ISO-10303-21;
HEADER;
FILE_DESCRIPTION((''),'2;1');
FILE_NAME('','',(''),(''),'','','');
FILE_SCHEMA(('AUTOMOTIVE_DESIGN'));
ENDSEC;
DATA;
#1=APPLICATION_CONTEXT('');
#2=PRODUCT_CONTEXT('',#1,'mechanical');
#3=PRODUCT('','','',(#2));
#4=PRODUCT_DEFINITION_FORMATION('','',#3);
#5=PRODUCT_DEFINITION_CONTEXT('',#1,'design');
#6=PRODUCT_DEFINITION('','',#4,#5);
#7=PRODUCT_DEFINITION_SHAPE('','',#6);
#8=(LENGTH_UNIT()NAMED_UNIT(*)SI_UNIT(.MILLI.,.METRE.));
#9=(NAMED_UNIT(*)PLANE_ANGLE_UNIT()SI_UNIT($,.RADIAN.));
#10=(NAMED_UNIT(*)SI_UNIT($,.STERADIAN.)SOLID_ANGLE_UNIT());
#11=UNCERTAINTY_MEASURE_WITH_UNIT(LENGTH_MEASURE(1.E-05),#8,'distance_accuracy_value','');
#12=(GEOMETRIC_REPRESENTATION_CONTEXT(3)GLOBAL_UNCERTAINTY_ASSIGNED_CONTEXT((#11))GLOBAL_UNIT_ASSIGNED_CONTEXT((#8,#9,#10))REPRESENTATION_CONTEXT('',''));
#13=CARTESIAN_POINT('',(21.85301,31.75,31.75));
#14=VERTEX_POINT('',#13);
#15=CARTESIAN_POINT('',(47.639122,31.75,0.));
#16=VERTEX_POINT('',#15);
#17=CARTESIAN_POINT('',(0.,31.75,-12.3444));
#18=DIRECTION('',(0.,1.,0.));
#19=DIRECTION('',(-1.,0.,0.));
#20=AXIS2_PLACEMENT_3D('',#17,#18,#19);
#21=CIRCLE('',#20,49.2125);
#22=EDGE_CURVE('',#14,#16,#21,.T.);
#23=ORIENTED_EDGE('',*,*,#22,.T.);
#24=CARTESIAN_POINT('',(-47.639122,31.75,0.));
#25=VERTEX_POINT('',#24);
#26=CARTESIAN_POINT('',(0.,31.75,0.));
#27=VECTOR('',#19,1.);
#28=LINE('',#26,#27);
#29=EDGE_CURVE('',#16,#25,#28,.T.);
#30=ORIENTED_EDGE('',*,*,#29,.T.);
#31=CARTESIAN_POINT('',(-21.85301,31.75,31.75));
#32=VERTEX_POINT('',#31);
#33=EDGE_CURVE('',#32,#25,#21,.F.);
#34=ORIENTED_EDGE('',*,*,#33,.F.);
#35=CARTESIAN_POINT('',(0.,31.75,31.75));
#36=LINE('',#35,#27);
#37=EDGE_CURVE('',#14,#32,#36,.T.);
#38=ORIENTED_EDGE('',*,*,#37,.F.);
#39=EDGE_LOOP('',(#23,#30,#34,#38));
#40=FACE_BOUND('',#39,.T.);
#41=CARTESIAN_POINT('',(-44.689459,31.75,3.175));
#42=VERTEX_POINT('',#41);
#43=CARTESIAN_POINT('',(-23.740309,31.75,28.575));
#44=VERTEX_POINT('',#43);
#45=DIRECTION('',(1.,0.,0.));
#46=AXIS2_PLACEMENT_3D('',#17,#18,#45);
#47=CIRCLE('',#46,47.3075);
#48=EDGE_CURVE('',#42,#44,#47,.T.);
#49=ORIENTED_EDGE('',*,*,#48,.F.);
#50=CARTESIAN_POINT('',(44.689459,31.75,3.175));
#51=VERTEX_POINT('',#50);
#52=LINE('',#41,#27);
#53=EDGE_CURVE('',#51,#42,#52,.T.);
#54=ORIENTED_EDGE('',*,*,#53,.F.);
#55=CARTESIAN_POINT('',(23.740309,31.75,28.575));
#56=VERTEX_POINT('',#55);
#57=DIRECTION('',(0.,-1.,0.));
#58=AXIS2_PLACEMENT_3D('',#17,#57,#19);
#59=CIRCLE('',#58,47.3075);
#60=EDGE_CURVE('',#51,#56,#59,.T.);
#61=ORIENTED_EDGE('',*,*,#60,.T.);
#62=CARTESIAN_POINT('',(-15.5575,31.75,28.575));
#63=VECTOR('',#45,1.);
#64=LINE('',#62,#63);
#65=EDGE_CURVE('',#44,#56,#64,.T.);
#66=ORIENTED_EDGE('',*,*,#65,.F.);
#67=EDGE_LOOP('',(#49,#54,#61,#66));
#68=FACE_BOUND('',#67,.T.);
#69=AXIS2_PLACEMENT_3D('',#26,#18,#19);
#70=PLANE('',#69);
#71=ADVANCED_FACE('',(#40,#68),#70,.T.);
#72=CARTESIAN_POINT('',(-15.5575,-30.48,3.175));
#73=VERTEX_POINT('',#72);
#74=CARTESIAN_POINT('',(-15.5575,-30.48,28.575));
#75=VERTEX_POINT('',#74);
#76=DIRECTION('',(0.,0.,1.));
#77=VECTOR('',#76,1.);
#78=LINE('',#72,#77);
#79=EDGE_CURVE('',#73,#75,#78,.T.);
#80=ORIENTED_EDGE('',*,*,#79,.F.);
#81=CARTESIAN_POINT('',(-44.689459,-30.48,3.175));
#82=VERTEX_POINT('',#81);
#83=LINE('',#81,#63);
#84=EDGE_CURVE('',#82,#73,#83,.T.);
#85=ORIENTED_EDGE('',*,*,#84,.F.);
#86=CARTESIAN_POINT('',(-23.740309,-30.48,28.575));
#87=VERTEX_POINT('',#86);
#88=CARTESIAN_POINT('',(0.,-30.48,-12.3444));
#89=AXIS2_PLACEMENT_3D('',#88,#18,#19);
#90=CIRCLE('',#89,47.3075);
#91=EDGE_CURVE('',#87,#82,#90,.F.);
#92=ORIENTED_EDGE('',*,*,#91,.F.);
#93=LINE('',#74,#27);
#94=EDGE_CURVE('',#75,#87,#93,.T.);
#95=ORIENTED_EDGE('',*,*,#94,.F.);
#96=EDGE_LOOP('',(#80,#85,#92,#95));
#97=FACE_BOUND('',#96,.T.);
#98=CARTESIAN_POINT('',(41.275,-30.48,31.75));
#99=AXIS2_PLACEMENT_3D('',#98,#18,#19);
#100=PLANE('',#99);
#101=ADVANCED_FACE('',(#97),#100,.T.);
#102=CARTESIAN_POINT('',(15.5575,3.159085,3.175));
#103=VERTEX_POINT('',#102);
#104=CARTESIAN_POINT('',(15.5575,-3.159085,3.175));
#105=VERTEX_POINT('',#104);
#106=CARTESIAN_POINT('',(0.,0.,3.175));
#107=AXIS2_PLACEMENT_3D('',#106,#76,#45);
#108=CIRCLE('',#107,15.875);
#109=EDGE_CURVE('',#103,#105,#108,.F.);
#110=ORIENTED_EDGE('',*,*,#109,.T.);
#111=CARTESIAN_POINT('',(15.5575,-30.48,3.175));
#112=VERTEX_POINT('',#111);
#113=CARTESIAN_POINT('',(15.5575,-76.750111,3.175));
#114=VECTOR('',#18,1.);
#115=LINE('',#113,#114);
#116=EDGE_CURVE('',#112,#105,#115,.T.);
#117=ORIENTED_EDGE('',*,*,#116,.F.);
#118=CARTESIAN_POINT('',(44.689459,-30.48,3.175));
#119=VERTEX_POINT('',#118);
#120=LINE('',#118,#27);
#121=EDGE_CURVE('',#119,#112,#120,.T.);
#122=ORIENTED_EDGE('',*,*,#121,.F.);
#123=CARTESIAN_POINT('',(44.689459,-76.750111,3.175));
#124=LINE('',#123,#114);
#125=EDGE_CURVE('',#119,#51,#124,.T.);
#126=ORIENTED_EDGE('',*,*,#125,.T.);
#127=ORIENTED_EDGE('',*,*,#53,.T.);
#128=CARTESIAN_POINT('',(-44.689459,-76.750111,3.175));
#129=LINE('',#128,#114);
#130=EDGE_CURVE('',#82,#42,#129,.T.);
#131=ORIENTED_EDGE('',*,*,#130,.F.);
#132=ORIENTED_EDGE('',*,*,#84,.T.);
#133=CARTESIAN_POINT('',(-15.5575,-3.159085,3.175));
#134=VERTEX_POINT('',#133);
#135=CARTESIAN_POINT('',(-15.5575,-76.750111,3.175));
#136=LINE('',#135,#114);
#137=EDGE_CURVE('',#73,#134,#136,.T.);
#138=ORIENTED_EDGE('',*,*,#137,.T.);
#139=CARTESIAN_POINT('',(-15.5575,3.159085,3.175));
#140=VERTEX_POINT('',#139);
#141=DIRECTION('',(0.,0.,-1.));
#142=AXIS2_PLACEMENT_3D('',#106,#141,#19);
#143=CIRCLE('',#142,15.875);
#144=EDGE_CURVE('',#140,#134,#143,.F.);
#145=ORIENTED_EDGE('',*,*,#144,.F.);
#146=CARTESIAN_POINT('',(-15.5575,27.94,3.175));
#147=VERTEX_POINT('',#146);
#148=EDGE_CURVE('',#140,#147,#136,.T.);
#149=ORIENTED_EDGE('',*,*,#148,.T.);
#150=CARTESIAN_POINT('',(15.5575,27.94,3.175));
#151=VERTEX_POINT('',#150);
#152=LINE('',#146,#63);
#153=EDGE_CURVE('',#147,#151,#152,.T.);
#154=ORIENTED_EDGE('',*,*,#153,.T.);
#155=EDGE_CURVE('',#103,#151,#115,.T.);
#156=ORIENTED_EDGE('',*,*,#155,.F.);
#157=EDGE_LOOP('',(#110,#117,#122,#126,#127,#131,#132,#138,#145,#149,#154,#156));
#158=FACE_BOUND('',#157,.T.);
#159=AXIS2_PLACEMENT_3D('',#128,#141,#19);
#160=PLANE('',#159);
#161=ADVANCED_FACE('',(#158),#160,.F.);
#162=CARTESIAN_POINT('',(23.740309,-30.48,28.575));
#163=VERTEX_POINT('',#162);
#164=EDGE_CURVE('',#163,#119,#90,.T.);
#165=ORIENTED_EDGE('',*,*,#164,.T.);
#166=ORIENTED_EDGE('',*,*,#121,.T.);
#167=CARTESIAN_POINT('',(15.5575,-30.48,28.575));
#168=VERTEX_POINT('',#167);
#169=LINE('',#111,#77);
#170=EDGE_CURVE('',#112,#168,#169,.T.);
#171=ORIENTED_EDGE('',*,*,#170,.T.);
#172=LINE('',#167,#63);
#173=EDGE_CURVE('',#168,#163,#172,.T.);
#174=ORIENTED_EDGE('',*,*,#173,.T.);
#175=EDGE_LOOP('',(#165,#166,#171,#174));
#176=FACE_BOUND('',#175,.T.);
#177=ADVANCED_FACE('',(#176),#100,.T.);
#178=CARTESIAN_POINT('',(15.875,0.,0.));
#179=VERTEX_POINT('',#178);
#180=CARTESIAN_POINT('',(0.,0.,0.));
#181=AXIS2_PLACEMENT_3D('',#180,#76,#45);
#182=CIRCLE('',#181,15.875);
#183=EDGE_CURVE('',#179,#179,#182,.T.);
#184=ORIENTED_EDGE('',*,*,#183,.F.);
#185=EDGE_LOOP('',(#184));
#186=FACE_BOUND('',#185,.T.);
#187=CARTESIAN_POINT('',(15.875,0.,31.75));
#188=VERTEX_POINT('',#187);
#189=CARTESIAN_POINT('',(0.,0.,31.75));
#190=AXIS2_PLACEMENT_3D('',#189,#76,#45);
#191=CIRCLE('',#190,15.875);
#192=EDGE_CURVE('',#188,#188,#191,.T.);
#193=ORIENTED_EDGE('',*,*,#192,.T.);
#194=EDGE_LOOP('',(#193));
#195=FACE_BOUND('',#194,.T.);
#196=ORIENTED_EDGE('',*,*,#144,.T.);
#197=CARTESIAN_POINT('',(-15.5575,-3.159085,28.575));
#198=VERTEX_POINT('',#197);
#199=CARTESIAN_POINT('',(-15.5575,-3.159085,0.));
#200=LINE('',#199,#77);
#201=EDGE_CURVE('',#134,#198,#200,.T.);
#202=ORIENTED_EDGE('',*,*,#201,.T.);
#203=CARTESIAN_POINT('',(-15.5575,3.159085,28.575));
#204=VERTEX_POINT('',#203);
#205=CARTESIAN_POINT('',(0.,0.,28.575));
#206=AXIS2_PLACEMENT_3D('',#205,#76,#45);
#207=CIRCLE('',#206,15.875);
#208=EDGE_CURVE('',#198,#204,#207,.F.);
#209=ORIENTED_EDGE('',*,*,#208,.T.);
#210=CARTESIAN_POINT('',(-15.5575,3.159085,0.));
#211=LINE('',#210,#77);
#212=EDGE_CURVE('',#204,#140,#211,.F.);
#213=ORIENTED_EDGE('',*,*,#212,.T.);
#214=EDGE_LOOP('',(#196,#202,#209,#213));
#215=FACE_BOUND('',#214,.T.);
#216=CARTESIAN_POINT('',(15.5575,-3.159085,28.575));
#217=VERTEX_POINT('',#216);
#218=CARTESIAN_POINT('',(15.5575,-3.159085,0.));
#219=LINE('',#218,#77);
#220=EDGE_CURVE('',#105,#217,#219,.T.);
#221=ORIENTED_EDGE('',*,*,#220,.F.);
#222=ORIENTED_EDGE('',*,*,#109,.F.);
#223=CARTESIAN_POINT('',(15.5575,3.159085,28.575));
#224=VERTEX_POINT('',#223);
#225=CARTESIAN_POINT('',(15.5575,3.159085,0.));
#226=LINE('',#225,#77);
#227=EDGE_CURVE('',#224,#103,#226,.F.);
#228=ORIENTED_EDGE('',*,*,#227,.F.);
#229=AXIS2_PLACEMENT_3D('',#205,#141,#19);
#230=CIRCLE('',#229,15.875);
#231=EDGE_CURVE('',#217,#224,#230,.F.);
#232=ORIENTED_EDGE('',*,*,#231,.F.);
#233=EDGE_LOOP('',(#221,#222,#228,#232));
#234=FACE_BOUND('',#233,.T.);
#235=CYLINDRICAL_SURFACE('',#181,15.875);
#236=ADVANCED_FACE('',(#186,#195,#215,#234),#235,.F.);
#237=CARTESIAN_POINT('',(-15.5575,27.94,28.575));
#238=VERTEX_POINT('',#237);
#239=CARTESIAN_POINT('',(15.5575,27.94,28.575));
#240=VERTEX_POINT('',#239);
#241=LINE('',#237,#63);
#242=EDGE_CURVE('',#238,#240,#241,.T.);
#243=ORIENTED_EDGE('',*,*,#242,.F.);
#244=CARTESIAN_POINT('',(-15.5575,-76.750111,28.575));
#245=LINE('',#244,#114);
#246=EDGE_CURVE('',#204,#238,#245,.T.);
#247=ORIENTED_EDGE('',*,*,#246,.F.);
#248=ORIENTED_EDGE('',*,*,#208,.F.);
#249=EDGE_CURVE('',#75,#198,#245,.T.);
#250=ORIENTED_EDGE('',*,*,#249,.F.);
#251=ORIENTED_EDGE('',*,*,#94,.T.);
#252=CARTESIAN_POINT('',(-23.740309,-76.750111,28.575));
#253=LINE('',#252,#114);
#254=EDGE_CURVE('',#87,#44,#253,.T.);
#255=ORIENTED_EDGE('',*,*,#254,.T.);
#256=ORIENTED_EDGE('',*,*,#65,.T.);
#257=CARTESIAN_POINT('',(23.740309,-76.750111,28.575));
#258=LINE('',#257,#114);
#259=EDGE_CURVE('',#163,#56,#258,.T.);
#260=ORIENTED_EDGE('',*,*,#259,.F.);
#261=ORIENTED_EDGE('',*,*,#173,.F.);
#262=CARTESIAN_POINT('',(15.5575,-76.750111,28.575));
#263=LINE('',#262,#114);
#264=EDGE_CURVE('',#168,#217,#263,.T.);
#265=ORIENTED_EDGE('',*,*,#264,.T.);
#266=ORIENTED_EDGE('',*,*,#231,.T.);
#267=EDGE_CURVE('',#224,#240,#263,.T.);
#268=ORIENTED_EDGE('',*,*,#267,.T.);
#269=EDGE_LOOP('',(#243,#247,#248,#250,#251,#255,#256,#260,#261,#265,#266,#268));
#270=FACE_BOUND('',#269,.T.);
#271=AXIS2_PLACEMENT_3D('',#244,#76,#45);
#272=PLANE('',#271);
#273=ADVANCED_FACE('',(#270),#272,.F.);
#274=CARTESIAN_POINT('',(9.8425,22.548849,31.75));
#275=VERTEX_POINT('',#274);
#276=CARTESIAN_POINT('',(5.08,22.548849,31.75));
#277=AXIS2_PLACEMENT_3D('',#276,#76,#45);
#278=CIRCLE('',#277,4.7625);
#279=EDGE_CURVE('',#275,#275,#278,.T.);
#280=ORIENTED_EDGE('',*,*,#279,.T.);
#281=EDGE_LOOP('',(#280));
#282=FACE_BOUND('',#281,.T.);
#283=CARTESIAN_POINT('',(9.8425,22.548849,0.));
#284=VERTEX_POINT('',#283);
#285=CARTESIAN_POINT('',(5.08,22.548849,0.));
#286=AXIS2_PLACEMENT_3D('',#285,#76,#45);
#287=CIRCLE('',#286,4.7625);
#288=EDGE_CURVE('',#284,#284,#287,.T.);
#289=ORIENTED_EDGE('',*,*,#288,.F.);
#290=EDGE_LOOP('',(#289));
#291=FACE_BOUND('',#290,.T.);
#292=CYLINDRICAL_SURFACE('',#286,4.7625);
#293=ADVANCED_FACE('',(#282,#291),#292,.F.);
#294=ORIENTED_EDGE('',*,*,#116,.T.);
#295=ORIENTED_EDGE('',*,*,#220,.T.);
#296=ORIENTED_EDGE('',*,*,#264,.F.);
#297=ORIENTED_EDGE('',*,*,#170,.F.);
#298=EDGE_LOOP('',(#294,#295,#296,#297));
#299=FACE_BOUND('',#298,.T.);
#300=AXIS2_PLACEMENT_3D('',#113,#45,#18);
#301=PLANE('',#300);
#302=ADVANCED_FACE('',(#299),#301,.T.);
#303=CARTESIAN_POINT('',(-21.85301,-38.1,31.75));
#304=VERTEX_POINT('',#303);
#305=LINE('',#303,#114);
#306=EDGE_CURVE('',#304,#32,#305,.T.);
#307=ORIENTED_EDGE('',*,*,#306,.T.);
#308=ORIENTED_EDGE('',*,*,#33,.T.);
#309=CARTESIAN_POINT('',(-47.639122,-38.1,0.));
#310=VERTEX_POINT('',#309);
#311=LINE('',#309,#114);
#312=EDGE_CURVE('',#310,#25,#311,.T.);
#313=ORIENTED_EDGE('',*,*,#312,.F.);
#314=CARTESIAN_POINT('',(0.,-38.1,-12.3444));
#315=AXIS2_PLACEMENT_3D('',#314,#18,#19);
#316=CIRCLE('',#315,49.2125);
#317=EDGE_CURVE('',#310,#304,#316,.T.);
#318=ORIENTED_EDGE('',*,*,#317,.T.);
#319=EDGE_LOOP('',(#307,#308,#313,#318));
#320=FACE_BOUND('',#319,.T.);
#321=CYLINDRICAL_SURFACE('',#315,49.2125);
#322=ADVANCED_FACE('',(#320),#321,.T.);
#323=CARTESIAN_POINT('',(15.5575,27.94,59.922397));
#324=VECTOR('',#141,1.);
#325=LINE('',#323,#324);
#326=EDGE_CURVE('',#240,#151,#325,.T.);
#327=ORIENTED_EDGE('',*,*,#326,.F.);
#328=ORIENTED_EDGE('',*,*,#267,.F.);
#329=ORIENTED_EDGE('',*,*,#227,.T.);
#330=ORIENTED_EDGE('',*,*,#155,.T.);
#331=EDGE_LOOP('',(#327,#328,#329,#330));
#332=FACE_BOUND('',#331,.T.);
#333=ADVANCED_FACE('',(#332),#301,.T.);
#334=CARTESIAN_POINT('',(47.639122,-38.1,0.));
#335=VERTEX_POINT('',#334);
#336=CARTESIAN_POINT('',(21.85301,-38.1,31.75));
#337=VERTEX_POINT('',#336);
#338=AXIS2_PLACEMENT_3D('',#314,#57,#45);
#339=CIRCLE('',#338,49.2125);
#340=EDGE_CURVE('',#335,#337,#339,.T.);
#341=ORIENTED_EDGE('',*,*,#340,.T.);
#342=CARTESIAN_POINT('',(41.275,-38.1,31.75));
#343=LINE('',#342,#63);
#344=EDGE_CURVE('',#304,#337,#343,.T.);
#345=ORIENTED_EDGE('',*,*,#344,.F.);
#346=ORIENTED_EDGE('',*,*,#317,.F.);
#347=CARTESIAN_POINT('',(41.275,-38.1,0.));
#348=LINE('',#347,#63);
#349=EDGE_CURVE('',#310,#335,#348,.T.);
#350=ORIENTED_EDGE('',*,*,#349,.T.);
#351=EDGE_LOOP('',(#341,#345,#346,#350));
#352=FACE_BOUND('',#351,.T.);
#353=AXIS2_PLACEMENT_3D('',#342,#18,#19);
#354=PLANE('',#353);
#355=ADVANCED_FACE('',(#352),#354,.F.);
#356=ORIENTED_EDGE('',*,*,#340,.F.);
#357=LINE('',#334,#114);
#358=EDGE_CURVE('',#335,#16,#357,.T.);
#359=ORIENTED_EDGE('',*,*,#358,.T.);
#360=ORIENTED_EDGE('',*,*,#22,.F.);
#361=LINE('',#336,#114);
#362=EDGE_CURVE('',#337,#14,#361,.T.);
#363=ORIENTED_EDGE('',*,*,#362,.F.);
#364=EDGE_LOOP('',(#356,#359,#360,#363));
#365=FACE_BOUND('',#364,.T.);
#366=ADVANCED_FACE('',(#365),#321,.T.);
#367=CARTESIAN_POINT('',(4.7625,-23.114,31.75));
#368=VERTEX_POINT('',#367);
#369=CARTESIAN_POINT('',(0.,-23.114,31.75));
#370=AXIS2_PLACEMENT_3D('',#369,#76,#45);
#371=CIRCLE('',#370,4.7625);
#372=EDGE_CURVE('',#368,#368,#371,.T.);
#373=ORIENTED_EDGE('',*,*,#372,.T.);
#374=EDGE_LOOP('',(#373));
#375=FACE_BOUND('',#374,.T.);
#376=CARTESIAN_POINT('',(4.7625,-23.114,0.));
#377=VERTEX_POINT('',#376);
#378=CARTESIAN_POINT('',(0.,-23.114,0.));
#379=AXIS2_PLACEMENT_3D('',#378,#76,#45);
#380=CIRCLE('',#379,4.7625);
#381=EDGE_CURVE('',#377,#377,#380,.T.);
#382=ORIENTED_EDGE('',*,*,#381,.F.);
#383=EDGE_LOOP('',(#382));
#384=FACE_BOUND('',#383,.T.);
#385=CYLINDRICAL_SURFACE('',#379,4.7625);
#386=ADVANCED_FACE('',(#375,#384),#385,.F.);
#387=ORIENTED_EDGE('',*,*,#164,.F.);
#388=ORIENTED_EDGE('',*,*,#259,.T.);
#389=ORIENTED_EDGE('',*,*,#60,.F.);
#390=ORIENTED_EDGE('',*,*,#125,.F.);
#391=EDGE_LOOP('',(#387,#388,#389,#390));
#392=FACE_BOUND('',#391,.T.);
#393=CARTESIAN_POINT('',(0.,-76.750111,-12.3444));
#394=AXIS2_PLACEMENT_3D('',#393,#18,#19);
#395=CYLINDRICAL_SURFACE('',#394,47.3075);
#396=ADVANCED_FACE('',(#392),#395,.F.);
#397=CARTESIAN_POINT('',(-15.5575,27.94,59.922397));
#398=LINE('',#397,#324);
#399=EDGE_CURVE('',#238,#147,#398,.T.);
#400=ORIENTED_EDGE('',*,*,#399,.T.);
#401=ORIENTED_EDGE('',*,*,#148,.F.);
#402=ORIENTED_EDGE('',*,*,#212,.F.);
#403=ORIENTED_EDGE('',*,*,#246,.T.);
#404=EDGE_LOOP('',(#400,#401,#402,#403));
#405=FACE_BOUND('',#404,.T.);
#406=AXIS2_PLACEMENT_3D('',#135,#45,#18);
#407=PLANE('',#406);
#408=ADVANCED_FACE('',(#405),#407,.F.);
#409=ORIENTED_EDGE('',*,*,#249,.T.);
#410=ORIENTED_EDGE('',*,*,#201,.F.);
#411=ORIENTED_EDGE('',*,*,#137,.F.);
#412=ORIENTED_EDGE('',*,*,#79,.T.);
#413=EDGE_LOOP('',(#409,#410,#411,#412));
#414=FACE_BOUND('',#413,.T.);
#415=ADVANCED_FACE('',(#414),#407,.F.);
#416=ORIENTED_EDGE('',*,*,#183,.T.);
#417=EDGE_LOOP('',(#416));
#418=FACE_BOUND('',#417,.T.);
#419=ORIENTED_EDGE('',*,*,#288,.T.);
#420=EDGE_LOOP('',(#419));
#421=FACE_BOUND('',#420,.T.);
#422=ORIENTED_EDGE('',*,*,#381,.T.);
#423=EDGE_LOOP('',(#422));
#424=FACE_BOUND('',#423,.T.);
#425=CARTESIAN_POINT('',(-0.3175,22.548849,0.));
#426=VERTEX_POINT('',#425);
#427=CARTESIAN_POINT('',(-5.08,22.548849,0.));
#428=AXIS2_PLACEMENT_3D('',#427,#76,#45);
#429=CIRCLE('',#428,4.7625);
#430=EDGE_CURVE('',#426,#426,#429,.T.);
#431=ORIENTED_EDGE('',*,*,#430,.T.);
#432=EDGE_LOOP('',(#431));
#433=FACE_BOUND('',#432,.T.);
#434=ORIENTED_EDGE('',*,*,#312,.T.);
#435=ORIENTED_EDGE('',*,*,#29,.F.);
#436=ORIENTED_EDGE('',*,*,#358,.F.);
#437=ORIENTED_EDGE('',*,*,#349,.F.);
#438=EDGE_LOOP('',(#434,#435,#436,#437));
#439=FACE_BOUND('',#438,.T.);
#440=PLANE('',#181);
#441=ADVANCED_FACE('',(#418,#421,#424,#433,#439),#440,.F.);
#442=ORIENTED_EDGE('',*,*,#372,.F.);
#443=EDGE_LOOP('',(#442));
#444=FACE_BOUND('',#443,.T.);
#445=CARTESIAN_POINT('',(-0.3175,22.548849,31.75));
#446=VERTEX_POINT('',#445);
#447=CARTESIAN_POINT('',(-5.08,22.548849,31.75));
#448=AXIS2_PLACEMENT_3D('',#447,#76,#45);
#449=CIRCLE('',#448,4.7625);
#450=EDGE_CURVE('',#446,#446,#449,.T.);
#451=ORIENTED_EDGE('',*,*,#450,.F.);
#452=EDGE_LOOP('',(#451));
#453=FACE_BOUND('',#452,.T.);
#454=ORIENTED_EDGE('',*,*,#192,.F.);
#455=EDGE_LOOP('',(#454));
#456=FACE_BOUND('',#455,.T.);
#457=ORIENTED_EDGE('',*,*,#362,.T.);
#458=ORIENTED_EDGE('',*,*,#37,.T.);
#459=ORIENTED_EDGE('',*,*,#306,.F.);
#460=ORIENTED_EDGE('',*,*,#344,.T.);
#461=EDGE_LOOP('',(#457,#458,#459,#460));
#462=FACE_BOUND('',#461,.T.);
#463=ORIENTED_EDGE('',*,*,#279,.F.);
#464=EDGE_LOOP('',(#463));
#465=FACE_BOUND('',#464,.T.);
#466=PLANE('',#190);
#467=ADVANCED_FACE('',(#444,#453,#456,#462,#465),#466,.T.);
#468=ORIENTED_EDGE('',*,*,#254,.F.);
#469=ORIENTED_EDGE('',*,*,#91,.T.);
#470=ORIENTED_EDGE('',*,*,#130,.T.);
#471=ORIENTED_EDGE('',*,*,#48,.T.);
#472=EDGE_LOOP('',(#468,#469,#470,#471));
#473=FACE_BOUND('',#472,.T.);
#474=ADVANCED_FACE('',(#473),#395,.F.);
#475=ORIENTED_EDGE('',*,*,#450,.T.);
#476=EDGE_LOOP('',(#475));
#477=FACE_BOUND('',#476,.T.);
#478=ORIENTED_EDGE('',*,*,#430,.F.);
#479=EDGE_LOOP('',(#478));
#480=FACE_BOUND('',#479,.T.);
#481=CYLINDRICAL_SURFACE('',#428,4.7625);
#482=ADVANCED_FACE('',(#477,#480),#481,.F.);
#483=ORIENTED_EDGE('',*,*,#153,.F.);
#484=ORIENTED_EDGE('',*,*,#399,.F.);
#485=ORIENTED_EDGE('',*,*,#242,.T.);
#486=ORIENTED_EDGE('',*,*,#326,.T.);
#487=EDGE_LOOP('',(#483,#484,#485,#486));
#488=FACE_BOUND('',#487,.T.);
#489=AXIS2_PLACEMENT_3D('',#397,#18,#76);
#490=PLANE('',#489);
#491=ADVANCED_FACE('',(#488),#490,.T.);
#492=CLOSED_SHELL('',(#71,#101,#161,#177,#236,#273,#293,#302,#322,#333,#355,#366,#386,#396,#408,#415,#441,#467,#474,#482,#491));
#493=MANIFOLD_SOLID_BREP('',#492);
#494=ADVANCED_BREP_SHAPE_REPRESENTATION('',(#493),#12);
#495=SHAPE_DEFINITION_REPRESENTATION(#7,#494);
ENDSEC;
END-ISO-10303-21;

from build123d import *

# Parameters (mm, degrees)
SKETCH1_W           = 82.55
SKETCH1_H           = 76.2
BOSS_EXTRUDE1_DEPTH = 31.75
SKETCH2_R           = 4.7625
CUT_EXTRUDE1_DEPTH  = 32.75
SKETCH4_R           = 15.875
CUT_EXTRUDE3_DEPTH  = 32.75
BOSS_EXTRUDE3_DEPTH = 76.2
CUT_EXTRUDE5_DEPTH  = 77.2
CUT_EXTRUDE6_DEPTH  = 62.23
SKETCH9_W           = 31.115
SKETCH9_H           = 3.81
CUT_EXTRUDE7_DEPTH  = 25.4


with BuildPart() as part:
    # Sketch1 → Boss-Extrude1 (new body)
    with BuildSketch(Plane.XY):
        Rectangle(SKETCH1_W, SKETCH1_H)
    extrude(amount=BOSS_EXTRUDE1_DEPTH)

    # Sketch2 → Cut-Extrude1 (cut, through all)
    with BuildSketch(Plane.XY.offset(31.75)):
        with Locations((0, -23.114)):
            Circle(SKETCH2_R)
        with Locations((-5.08, 22.548849106)):
            Circle(SKETCH2_R)
        with Locations((5.08, 22.548849106)):
            Circle(SKETCH2_R)
    extrude(amount=-CUT_EXTRUDE1_DEPTH, mode=Mode.SUBTRACT)

    # Sketch4 → Cut-Extrude3 (cut, through all)
    with BuildSketch(Plane.XY.offset(31.75)):
        Circle(SKETCH4_R)
    extrude(amount=-CUT_EXTRUDE3_DEPTH, mode=Mode.SUBTRACT)

    # Sketch7 → Boss-Extrude3 (add, through all)
    with BuildSketch(Plane(origin=(0, 38.1, 0), x_dir=(1, 0, 0), z_dir=(0, 1, 0))):
        with BuildLine():
            Line((-47.639122, 0), (-41.275, 0))
            Line((-41.275, 0), (-41.275, -14.455684538))
            ThreePointArc((-41.275, -14.455684538), (-45.040781261, -7.484825392), (-47.639122, 0))
        make_face()
    boss_extrude3 = extrude(amount=-BOSS_EXTRUDE3_DEPTH)

    # Sketch6 → Cut-Extrude5 (cut, through all)
    with BuildSketch(Plane(origin=(0, 38.1, 0), x_dir=(1, 0, 0), z_dir=(0, 1, 0))):
        with BuildLine():
            Line((-41.275, -14.455684538), (-41.275, -31.75))
            Line((-41.275, -31.75), (-21.853009973, -31.75))
            ThreePointArc((-21.853009973, -31.75), (-32.727049174, -24.408972752), (-41.275, -14.455684538))
        make_face()
    cut_extrude5 = extrude(amount=-CUT_EXTRUDE5_DEPTH, mode=Mode.SUBTRACT)

    # Mirror2: Boss-Extrude3, Cut-Extrude5 across plane
    add(boss_extrude3.mirror(Plane(origin=(0, 0, 0), x_dir=(0, 0, 1), z_dir=(1, 0, 0))))
    add(cut_extrude5.mirror(Plane(origin=(0, 0, 0), x_dir=(0, 0, 1), z_dir=(1, 0, 0))), mode=Mode.SUBTRACT)


with BuildPart() as body_2:
    # Split1: the piece on the far side of the plane
    add(part.part)
    split(bisect_by=Plane(origin=(0, 31.75, 0), x_dir=(1, 0, 0), z_dir=(0, 1, 0)), keep=Keep.BOTTOM)

    # Sketch8 → Cut-Extrude6 (cut)
    with BuildSketch(Plane(origin=(0, 31.75, 0), x_dir=(1, 0, 0), z_dir=(0, 1, 0))):
        with BuildLine():
            Line((-44.689459382, -3.175), (-15.5575, -3.175))
            Line((-15.5575, -3.175), (-15.5575, -28.575))
            Line((-15.5575, -28.575), (-23.740308757, -28.575))
            ThreePointArc((-23.740308757, -28.575), (-36.495866778, -17.756285446), (-44.689459382, -3.175))
        make_face()
    cut_extrude6 = extrude(amount=-CUT_EXTRUDE6_DEPTH, mode=Mode.SUBTRACT)

    # Mirror3: Cut-Extrude6 across plane
    add(cut_extrude6.mirror(Plane(origin=(0, 0, 0), x_dir=(0, 0, 1), z_dir=(1, 0, 0))), mode=Mode.SUBTRACT)

    # Sketch9 → Cut-Extrude7 (cut)
    with BuildSketch(Plane.XY.offset(3.175)):
        with Locations((0, 29.845)):
            Rectangle(SKETCH9_W, SKETCH9_H)
    extrude(amount=CUT_EXTRUDE7_DEPTH, mode=Mode.SUBTRACT)


with BuildPart() as part_1:
    add(part.part)

    # Split1
    split(bisect_by=Plane(origin=(0, 31.75, 0), x_dir=(1, 0, 0), z_dir=(0, 1, 0)), keep=Keep.TOP)


solid = body_2.part
